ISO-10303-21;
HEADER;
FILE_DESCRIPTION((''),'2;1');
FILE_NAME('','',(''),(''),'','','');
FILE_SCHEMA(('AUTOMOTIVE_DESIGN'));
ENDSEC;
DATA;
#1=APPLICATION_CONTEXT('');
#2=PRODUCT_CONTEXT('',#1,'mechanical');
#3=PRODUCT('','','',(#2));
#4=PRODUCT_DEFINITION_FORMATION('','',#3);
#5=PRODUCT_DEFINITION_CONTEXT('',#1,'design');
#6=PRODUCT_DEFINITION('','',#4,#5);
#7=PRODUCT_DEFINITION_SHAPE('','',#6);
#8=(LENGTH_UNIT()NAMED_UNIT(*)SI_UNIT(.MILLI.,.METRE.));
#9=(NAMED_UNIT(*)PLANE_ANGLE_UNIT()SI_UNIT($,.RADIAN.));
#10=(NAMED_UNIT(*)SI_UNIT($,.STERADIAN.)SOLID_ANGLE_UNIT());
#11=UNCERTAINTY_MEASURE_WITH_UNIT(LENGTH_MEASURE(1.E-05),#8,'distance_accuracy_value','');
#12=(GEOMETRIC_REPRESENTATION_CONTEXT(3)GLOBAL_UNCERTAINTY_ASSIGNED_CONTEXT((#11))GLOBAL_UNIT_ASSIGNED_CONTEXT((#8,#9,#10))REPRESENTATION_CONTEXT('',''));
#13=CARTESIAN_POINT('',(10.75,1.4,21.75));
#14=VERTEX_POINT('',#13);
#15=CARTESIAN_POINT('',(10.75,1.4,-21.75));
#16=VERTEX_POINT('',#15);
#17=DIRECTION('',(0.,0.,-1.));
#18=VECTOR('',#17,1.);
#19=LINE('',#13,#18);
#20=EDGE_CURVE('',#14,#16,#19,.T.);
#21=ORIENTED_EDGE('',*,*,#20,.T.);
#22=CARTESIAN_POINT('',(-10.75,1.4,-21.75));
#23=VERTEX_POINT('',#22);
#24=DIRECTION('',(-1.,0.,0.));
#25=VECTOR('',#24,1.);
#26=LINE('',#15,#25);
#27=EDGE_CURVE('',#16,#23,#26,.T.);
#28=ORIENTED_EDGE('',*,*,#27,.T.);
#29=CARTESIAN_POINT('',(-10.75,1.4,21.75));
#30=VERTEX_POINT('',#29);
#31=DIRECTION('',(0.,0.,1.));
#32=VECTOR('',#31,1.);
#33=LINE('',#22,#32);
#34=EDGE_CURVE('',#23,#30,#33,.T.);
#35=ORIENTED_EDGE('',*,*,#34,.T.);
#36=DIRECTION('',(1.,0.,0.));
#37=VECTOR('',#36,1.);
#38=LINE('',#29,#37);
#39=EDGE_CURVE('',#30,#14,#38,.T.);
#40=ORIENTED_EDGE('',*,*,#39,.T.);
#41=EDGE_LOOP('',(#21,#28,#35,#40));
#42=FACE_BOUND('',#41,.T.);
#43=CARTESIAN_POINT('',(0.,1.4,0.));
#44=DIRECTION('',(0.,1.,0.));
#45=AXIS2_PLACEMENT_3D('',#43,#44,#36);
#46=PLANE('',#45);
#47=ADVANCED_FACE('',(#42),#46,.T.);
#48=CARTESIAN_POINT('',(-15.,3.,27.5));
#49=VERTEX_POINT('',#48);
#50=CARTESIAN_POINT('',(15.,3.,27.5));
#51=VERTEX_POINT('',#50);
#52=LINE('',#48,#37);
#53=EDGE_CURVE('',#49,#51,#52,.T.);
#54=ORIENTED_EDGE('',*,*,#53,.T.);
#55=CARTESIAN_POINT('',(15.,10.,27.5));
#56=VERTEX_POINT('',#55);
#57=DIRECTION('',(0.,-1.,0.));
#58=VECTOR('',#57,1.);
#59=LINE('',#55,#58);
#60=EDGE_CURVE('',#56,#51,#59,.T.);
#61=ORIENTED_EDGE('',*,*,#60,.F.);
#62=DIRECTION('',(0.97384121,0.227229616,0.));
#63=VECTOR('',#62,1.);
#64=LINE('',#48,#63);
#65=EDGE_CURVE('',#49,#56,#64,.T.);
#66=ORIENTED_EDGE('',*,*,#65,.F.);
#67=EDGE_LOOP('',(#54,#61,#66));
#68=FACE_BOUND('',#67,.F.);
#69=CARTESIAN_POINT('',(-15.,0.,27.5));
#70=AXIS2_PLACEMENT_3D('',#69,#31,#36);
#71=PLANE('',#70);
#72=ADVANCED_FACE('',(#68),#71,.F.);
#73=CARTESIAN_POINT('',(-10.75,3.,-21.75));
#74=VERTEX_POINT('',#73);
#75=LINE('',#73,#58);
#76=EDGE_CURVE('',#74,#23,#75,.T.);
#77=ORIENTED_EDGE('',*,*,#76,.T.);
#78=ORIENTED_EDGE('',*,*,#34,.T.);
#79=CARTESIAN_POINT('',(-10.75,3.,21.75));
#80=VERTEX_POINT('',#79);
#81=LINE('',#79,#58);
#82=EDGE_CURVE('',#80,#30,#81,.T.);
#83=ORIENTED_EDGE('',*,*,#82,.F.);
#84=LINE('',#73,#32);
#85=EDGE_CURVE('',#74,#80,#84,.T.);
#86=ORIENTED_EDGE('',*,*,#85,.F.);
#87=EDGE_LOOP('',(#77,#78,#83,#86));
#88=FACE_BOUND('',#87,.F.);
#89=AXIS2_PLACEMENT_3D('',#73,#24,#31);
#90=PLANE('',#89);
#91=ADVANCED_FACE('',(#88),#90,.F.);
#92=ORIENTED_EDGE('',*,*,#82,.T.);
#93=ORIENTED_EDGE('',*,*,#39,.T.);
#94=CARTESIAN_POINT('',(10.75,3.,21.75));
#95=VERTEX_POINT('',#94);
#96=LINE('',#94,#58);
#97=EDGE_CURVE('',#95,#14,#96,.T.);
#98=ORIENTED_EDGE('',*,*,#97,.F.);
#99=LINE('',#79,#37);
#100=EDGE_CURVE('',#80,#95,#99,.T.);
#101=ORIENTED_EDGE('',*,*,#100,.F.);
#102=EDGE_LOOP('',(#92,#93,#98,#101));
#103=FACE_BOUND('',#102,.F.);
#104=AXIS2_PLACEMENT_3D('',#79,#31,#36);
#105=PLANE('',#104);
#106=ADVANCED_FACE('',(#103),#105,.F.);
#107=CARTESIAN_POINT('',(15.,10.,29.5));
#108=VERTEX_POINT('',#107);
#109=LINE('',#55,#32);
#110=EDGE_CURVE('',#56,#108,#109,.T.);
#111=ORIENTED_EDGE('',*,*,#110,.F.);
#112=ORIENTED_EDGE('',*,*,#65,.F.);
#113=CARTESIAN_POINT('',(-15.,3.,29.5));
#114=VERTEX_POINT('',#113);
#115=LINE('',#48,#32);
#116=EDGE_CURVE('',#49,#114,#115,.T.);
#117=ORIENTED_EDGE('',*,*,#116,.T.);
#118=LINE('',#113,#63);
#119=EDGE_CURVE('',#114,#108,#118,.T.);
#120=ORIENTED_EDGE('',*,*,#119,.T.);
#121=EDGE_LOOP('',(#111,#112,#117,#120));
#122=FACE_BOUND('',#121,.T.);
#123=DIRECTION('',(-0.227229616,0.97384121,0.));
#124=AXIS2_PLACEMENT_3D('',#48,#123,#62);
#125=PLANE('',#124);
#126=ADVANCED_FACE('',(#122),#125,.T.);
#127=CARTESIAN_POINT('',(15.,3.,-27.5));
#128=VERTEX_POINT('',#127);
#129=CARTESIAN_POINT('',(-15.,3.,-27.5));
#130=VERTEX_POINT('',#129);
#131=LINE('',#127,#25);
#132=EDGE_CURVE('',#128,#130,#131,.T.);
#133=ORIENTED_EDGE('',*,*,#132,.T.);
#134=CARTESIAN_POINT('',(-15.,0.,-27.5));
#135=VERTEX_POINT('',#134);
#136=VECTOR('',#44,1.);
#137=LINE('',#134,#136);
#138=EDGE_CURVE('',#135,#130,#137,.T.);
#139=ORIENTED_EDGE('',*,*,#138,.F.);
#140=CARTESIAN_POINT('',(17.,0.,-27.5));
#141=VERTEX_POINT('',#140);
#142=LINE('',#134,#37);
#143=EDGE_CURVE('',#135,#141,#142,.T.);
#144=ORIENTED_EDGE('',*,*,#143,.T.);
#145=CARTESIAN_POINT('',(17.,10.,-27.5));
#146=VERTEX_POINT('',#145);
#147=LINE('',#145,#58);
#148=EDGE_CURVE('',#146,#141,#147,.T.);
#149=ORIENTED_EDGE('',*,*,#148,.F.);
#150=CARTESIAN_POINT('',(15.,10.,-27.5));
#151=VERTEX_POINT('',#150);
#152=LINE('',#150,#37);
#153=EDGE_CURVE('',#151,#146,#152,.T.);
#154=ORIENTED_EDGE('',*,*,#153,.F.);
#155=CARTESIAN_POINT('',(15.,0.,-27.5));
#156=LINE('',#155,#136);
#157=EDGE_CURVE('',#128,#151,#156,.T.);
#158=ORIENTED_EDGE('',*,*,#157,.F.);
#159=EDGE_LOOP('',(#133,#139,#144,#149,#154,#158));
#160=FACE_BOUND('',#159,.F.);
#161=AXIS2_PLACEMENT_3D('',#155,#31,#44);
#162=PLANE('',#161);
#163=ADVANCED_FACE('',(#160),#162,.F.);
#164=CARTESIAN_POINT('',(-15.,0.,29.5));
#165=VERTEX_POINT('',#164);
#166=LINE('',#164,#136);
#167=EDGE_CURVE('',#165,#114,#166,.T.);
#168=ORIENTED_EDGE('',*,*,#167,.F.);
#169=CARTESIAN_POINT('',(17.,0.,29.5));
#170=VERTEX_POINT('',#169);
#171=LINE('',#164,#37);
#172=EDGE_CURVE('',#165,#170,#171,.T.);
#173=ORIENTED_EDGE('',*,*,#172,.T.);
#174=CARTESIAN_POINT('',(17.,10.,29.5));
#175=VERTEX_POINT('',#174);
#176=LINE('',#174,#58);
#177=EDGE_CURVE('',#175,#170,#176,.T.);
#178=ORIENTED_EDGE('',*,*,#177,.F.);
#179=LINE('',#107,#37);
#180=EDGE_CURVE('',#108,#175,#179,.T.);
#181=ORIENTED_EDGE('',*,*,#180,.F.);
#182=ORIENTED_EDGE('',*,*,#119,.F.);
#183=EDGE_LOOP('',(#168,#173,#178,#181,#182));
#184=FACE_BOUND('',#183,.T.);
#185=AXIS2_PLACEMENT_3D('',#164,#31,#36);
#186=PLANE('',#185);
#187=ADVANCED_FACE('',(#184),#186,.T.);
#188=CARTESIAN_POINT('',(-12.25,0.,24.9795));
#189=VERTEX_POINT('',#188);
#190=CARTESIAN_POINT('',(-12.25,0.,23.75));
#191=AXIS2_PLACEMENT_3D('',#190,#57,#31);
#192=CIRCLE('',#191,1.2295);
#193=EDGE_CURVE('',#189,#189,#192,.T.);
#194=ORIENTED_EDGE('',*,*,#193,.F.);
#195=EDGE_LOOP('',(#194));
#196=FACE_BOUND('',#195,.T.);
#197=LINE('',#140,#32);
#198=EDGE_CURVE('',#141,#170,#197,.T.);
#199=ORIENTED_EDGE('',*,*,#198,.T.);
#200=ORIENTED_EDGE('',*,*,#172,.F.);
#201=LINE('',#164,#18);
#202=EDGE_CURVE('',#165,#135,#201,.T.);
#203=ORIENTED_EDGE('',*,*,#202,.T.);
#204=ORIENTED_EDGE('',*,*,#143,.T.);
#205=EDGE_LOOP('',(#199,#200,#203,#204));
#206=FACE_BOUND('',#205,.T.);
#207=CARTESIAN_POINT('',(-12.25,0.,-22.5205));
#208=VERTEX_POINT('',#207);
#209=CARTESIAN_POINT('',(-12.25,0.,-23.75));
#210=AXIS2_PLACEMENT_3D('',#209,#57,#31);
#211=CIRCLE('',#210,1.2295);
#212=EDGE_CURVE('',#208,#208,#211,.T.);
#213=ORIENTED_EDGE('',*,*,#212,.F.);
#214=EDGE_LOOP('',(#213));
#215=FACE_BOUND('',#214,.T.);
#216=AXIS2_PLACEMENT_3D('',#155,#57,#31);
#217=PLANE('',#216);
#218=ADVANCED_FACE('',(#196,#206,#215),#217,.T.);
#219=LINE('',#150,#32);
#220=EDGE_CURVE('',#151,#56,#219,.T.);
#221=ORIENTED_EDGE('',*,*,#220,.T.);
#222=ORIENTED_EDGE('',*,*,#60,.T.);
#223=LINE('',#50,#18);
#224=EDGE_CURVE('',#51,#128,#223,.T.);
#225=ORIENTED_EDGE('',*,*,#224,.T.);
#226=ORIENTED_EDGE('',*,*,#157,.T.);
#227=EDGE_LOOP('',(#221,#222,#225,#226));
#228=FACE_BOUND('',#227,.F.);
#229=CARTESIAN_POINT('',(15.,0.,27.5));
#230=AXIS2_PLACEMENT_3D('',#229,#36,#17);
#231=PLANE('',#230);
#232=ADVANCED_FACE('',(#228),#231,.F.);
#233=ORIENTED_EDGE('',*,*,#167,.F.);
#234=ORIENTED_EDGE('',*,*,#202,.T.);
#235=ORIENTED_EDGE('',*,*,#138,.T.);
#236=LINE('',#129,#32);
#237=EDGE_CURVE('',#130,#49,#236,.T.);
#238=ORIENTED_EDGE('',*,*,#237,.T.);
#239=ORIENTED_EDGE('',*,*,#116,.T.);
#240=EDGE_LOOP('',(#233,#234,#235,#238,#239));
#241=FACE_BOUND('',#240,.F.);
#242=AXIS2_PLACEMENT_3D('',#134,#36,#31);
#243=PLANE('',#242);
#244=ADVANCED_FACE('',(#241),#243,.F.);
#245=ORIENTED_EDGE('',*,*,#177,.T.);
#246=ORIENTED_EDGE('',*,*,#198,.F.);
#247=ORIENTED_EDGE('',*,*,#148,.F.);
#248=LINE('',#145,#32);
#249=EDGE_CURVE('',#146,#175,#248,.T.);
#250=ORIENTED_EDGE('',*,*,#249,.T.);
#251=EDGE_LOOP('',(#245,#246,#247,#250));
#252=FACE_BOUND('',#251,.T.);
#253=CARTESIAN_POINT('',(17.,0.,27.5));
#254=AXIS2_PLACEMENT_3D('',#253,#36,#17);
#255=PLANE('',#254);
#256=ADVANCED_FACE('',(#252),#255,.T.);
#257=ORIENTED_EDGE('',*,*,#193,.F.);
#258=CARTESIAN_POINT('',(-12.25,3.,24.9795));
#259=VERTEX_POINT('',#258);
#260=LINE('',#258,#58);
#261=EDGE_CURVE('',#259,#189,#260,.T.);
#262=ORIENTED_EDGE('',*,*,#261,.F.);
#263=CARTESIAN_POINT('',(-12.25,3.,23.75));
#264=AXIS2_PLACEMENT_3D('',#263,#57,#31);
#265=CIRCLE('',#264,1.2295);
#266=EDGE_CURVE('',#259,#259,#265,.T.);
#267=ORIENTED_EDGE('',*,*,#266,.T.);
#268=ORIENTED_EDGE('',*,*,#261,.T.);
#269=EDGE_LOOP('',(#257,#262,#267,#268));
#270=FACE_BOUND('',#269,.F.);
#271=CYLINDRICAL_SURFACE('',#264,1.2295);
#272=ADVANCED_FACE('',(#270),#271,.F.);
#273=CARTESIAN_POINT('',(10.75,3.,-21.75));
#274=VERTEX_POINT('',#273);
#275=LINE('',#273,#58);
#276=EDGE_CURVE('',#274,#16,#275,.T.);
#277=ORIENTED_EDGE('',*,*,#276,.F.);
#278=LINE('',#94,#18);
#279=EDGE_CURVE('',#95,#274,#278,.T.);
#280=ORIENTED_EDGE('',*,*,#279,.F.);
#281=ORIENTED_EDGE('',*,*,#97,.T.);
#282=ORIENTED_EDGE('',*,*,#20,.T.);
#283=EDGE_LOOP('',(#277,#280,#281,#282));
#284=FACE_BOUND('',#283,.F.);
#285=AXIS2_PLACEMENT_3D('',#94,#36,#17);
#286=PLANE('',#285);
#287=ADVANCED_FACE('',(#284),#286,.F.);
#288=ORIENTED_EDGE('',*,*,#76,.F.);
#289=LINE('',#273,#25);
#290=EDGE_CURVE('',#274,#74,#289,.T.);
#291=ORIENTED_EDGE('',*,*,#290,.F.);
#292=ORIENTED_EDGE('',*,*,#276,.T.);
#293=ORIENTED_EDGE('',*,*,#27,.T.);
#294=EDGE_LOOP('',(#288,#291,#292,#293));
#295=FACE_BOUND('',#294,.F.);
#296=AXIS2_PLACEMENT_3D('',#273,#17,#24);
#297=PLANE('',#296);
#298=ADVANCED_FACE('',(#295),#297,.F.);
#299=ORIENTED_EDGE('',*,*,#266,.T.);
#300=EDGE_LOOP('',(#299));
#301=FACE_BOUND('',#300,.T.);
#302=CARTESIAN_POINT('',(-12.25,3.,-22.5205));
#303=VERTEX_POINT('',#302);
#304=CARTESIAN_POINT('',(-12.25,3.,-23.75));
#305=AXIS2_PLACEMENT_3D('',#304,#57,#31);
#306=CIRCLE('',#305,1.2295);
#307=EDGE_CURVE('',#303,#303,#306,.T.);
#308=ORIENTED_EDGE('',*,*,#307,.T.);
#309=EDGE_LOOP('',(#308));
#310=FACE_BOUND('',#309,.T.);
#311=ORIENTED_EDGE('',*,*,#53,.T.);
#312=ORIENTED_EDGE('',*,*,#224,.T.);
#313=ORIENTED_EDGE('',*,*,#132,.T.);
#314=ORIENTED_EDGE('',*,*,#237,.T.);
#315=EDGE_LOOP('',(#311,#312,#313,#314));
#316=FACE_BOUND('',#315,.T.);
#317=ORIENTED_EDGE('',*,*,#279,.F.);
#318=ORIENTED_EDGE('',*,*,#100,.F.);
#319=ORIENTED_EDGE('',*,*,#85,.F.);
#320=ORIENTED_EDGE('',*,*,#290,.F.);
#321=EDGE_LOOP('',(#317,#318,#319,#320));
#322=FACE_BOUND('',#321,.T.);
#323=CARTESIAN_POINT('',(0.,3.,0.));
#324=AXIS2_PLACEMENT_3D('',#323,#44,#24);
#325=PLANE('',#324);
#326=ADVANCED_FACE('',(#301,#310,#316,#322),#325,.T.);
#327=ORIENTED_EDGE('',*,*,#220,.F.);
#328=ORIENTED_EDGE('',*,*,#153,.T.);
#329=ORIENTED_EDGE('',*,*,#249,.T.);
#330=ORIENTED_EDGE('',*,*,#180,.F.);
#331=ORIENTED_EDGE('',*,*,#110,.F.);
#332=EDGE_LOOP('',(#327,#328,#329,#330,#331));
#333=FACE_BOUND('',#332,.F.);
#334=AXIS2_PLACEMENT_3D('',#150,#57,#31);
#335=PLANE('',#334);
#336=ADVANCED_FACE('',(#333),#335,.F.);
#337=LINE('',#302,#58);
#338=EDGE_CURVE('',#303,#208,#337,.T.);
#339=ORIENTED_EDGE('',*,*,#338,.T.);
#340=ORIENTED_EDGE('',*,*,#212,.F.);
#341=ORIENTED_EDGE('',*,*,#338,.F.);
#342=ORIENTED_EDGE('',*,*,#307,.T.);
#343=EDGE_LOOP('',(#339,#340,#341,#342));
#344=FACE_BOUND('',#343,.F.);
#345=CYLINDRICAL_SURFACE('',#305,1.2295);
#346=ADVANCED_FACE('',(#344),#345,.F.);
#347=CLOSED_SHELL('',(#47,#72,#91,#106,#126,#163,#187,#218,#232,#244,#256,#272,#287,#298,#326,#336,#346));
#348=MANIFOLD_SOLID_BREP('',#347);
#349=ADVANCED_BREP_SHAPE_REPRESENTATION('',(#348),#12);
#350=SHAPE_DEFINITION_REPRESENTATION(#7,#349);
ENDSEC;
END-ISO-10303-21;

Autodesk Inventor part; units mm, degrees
ref_plane "YZ Plane" through (0, 0, 0) normal (1, 0, 0) x (0, 1, 0)
ref_plane "XZ Plane" through (0, 0, 0) normal (0, 1, 0) x (-1, 0, 0)
ref_plane "XY Plane" through (0, 0, 0) normal (0, 0, 1) x (1, 0, 0)
sketch "Sketch1" plane through (0, 0, 0) normal (0, 1, 0) x (-1, 0, 0)
  line L0 (-15, -27.5) -> (15, -27.5)
  line L1 (15, -27.5) -> (15, 27.5)
  line L2 (15, 27.5) -> (-15, 27.5)
  line L3 (-15, 27.5) -> (-15, -27.5)
  line L4 (-15, -27.5) -> (15, 27.5) construction
  line L5 (15, -27.5) -> (-15, 27.5) construction
  point P0 (0, 0)
  dimension "d0" = 55
  dimension "d1" = 30
extrude "Extrusion1" add sketch "Sketch1" along normal blind 3
sketch "Sketch2" plane through (0, 3, 0) normal (0, 1, 0) x (1, 0, 0)
  line L0 (10.75, 21.75) -> (-10.75, 21.75)
  line L1 (-10.75, 21.75) -> (-10.75, -21.75)
  line L2 (-10.75, -21.75) -> (10.75, -21.75)
  line L3 (10.75, -21.75) -> (10.75, 21.75)
  line L4 (10.75, 21.75) -> (-10.75, -21.75) construction
  line L5 (-10.75, 21.75) -> (10.75, -21.75) construction
  point P0 (0, 0)
  dimension "d4" = 43.5
  dimension "d5" = 21.5
extrude "Extrusion2" cut sketch "Sketch2" against normal blind 1.6
sketch "Sketch3" plane through (15, 0, 27.5) normal (1, 0, 0) x (0, 0, -1)
  line L0 (55, 0) -> (0, 0) projected
  line L1 (0, 0) -> (55, 0)
  line L2 (55, 0) -> (55, 10)
  line L3 (55, 10) -> (0, 10)
  line L4 (0, 10) -> (0, 0)
  line L5 (55, 0) -> (55, 3) projected
  point P0 (27.5, 0)
  dimension "d8" = 10
extrude "Extrusion3" add sketch "Sketch3" along normal blind 2
sketch "Sketch4" plane through (-15, 0, 27.5) normal (0, 0, 1) x (1, 0, 0)
  line L0 (0, 0) -> (32, 0) projected
  line L1 (32, 10) -> (32, 0) projected
  line L2 (30, 10) -> (32, 10) projected
  line L3 (30, 10) -> (30, 3) projected
  line L4 (0, 3) -> (30, 3) projected
  line L5 (0, 0) -> (0, 3) projected
  line L6 (0, 3) -> (30, 3) projected
  line L7 (30, 10) -> (32, 10) projected
  line L8 (0, 3) -> (30, 10)
  point P0 (15, 0)
extrude "Extrusion4" add sketch "Sketch4" along normal blind 2
sketch "Sketch5" plane through (0, 3, 0) normal (0, 1, 0) x (1, 0, 0)
  line L0 (12.25, 23.75) -> (-12.25, 23.75)
  line L1 (-12.25, 23.75) -> (-12.25, -23.75)
  line L2 (-12.25, -23.75) -> (12.25, -23.75)
  line L3 (12.25, -23.75) -> (12.25, 23.75)
  line L4 (12.25, 23.75) -> (-12.25, -23.75) construction
  line L5 (-12.25, 23.75) -> (12.25, -23.75) construction
  line L6 (-10.75, -21.75) -> (-10.75, 21.75) projected
  line L7 (10.75, -21.75) -> (-10.75, -21.75) projected
  point P0 (0, 0)
  dimension "d13" = 1.5
  dimension "d14" = 2
hole "Hole1" at (-12.25, 3, 23.75) at (-12.25, 3, -23.75) direction (0, -1, 0) diameter 2.459 end through all thread size "M3x0.5" class "6H" standard "ANSI Metric M Profile"
properties part number "Buck_Bracket"
